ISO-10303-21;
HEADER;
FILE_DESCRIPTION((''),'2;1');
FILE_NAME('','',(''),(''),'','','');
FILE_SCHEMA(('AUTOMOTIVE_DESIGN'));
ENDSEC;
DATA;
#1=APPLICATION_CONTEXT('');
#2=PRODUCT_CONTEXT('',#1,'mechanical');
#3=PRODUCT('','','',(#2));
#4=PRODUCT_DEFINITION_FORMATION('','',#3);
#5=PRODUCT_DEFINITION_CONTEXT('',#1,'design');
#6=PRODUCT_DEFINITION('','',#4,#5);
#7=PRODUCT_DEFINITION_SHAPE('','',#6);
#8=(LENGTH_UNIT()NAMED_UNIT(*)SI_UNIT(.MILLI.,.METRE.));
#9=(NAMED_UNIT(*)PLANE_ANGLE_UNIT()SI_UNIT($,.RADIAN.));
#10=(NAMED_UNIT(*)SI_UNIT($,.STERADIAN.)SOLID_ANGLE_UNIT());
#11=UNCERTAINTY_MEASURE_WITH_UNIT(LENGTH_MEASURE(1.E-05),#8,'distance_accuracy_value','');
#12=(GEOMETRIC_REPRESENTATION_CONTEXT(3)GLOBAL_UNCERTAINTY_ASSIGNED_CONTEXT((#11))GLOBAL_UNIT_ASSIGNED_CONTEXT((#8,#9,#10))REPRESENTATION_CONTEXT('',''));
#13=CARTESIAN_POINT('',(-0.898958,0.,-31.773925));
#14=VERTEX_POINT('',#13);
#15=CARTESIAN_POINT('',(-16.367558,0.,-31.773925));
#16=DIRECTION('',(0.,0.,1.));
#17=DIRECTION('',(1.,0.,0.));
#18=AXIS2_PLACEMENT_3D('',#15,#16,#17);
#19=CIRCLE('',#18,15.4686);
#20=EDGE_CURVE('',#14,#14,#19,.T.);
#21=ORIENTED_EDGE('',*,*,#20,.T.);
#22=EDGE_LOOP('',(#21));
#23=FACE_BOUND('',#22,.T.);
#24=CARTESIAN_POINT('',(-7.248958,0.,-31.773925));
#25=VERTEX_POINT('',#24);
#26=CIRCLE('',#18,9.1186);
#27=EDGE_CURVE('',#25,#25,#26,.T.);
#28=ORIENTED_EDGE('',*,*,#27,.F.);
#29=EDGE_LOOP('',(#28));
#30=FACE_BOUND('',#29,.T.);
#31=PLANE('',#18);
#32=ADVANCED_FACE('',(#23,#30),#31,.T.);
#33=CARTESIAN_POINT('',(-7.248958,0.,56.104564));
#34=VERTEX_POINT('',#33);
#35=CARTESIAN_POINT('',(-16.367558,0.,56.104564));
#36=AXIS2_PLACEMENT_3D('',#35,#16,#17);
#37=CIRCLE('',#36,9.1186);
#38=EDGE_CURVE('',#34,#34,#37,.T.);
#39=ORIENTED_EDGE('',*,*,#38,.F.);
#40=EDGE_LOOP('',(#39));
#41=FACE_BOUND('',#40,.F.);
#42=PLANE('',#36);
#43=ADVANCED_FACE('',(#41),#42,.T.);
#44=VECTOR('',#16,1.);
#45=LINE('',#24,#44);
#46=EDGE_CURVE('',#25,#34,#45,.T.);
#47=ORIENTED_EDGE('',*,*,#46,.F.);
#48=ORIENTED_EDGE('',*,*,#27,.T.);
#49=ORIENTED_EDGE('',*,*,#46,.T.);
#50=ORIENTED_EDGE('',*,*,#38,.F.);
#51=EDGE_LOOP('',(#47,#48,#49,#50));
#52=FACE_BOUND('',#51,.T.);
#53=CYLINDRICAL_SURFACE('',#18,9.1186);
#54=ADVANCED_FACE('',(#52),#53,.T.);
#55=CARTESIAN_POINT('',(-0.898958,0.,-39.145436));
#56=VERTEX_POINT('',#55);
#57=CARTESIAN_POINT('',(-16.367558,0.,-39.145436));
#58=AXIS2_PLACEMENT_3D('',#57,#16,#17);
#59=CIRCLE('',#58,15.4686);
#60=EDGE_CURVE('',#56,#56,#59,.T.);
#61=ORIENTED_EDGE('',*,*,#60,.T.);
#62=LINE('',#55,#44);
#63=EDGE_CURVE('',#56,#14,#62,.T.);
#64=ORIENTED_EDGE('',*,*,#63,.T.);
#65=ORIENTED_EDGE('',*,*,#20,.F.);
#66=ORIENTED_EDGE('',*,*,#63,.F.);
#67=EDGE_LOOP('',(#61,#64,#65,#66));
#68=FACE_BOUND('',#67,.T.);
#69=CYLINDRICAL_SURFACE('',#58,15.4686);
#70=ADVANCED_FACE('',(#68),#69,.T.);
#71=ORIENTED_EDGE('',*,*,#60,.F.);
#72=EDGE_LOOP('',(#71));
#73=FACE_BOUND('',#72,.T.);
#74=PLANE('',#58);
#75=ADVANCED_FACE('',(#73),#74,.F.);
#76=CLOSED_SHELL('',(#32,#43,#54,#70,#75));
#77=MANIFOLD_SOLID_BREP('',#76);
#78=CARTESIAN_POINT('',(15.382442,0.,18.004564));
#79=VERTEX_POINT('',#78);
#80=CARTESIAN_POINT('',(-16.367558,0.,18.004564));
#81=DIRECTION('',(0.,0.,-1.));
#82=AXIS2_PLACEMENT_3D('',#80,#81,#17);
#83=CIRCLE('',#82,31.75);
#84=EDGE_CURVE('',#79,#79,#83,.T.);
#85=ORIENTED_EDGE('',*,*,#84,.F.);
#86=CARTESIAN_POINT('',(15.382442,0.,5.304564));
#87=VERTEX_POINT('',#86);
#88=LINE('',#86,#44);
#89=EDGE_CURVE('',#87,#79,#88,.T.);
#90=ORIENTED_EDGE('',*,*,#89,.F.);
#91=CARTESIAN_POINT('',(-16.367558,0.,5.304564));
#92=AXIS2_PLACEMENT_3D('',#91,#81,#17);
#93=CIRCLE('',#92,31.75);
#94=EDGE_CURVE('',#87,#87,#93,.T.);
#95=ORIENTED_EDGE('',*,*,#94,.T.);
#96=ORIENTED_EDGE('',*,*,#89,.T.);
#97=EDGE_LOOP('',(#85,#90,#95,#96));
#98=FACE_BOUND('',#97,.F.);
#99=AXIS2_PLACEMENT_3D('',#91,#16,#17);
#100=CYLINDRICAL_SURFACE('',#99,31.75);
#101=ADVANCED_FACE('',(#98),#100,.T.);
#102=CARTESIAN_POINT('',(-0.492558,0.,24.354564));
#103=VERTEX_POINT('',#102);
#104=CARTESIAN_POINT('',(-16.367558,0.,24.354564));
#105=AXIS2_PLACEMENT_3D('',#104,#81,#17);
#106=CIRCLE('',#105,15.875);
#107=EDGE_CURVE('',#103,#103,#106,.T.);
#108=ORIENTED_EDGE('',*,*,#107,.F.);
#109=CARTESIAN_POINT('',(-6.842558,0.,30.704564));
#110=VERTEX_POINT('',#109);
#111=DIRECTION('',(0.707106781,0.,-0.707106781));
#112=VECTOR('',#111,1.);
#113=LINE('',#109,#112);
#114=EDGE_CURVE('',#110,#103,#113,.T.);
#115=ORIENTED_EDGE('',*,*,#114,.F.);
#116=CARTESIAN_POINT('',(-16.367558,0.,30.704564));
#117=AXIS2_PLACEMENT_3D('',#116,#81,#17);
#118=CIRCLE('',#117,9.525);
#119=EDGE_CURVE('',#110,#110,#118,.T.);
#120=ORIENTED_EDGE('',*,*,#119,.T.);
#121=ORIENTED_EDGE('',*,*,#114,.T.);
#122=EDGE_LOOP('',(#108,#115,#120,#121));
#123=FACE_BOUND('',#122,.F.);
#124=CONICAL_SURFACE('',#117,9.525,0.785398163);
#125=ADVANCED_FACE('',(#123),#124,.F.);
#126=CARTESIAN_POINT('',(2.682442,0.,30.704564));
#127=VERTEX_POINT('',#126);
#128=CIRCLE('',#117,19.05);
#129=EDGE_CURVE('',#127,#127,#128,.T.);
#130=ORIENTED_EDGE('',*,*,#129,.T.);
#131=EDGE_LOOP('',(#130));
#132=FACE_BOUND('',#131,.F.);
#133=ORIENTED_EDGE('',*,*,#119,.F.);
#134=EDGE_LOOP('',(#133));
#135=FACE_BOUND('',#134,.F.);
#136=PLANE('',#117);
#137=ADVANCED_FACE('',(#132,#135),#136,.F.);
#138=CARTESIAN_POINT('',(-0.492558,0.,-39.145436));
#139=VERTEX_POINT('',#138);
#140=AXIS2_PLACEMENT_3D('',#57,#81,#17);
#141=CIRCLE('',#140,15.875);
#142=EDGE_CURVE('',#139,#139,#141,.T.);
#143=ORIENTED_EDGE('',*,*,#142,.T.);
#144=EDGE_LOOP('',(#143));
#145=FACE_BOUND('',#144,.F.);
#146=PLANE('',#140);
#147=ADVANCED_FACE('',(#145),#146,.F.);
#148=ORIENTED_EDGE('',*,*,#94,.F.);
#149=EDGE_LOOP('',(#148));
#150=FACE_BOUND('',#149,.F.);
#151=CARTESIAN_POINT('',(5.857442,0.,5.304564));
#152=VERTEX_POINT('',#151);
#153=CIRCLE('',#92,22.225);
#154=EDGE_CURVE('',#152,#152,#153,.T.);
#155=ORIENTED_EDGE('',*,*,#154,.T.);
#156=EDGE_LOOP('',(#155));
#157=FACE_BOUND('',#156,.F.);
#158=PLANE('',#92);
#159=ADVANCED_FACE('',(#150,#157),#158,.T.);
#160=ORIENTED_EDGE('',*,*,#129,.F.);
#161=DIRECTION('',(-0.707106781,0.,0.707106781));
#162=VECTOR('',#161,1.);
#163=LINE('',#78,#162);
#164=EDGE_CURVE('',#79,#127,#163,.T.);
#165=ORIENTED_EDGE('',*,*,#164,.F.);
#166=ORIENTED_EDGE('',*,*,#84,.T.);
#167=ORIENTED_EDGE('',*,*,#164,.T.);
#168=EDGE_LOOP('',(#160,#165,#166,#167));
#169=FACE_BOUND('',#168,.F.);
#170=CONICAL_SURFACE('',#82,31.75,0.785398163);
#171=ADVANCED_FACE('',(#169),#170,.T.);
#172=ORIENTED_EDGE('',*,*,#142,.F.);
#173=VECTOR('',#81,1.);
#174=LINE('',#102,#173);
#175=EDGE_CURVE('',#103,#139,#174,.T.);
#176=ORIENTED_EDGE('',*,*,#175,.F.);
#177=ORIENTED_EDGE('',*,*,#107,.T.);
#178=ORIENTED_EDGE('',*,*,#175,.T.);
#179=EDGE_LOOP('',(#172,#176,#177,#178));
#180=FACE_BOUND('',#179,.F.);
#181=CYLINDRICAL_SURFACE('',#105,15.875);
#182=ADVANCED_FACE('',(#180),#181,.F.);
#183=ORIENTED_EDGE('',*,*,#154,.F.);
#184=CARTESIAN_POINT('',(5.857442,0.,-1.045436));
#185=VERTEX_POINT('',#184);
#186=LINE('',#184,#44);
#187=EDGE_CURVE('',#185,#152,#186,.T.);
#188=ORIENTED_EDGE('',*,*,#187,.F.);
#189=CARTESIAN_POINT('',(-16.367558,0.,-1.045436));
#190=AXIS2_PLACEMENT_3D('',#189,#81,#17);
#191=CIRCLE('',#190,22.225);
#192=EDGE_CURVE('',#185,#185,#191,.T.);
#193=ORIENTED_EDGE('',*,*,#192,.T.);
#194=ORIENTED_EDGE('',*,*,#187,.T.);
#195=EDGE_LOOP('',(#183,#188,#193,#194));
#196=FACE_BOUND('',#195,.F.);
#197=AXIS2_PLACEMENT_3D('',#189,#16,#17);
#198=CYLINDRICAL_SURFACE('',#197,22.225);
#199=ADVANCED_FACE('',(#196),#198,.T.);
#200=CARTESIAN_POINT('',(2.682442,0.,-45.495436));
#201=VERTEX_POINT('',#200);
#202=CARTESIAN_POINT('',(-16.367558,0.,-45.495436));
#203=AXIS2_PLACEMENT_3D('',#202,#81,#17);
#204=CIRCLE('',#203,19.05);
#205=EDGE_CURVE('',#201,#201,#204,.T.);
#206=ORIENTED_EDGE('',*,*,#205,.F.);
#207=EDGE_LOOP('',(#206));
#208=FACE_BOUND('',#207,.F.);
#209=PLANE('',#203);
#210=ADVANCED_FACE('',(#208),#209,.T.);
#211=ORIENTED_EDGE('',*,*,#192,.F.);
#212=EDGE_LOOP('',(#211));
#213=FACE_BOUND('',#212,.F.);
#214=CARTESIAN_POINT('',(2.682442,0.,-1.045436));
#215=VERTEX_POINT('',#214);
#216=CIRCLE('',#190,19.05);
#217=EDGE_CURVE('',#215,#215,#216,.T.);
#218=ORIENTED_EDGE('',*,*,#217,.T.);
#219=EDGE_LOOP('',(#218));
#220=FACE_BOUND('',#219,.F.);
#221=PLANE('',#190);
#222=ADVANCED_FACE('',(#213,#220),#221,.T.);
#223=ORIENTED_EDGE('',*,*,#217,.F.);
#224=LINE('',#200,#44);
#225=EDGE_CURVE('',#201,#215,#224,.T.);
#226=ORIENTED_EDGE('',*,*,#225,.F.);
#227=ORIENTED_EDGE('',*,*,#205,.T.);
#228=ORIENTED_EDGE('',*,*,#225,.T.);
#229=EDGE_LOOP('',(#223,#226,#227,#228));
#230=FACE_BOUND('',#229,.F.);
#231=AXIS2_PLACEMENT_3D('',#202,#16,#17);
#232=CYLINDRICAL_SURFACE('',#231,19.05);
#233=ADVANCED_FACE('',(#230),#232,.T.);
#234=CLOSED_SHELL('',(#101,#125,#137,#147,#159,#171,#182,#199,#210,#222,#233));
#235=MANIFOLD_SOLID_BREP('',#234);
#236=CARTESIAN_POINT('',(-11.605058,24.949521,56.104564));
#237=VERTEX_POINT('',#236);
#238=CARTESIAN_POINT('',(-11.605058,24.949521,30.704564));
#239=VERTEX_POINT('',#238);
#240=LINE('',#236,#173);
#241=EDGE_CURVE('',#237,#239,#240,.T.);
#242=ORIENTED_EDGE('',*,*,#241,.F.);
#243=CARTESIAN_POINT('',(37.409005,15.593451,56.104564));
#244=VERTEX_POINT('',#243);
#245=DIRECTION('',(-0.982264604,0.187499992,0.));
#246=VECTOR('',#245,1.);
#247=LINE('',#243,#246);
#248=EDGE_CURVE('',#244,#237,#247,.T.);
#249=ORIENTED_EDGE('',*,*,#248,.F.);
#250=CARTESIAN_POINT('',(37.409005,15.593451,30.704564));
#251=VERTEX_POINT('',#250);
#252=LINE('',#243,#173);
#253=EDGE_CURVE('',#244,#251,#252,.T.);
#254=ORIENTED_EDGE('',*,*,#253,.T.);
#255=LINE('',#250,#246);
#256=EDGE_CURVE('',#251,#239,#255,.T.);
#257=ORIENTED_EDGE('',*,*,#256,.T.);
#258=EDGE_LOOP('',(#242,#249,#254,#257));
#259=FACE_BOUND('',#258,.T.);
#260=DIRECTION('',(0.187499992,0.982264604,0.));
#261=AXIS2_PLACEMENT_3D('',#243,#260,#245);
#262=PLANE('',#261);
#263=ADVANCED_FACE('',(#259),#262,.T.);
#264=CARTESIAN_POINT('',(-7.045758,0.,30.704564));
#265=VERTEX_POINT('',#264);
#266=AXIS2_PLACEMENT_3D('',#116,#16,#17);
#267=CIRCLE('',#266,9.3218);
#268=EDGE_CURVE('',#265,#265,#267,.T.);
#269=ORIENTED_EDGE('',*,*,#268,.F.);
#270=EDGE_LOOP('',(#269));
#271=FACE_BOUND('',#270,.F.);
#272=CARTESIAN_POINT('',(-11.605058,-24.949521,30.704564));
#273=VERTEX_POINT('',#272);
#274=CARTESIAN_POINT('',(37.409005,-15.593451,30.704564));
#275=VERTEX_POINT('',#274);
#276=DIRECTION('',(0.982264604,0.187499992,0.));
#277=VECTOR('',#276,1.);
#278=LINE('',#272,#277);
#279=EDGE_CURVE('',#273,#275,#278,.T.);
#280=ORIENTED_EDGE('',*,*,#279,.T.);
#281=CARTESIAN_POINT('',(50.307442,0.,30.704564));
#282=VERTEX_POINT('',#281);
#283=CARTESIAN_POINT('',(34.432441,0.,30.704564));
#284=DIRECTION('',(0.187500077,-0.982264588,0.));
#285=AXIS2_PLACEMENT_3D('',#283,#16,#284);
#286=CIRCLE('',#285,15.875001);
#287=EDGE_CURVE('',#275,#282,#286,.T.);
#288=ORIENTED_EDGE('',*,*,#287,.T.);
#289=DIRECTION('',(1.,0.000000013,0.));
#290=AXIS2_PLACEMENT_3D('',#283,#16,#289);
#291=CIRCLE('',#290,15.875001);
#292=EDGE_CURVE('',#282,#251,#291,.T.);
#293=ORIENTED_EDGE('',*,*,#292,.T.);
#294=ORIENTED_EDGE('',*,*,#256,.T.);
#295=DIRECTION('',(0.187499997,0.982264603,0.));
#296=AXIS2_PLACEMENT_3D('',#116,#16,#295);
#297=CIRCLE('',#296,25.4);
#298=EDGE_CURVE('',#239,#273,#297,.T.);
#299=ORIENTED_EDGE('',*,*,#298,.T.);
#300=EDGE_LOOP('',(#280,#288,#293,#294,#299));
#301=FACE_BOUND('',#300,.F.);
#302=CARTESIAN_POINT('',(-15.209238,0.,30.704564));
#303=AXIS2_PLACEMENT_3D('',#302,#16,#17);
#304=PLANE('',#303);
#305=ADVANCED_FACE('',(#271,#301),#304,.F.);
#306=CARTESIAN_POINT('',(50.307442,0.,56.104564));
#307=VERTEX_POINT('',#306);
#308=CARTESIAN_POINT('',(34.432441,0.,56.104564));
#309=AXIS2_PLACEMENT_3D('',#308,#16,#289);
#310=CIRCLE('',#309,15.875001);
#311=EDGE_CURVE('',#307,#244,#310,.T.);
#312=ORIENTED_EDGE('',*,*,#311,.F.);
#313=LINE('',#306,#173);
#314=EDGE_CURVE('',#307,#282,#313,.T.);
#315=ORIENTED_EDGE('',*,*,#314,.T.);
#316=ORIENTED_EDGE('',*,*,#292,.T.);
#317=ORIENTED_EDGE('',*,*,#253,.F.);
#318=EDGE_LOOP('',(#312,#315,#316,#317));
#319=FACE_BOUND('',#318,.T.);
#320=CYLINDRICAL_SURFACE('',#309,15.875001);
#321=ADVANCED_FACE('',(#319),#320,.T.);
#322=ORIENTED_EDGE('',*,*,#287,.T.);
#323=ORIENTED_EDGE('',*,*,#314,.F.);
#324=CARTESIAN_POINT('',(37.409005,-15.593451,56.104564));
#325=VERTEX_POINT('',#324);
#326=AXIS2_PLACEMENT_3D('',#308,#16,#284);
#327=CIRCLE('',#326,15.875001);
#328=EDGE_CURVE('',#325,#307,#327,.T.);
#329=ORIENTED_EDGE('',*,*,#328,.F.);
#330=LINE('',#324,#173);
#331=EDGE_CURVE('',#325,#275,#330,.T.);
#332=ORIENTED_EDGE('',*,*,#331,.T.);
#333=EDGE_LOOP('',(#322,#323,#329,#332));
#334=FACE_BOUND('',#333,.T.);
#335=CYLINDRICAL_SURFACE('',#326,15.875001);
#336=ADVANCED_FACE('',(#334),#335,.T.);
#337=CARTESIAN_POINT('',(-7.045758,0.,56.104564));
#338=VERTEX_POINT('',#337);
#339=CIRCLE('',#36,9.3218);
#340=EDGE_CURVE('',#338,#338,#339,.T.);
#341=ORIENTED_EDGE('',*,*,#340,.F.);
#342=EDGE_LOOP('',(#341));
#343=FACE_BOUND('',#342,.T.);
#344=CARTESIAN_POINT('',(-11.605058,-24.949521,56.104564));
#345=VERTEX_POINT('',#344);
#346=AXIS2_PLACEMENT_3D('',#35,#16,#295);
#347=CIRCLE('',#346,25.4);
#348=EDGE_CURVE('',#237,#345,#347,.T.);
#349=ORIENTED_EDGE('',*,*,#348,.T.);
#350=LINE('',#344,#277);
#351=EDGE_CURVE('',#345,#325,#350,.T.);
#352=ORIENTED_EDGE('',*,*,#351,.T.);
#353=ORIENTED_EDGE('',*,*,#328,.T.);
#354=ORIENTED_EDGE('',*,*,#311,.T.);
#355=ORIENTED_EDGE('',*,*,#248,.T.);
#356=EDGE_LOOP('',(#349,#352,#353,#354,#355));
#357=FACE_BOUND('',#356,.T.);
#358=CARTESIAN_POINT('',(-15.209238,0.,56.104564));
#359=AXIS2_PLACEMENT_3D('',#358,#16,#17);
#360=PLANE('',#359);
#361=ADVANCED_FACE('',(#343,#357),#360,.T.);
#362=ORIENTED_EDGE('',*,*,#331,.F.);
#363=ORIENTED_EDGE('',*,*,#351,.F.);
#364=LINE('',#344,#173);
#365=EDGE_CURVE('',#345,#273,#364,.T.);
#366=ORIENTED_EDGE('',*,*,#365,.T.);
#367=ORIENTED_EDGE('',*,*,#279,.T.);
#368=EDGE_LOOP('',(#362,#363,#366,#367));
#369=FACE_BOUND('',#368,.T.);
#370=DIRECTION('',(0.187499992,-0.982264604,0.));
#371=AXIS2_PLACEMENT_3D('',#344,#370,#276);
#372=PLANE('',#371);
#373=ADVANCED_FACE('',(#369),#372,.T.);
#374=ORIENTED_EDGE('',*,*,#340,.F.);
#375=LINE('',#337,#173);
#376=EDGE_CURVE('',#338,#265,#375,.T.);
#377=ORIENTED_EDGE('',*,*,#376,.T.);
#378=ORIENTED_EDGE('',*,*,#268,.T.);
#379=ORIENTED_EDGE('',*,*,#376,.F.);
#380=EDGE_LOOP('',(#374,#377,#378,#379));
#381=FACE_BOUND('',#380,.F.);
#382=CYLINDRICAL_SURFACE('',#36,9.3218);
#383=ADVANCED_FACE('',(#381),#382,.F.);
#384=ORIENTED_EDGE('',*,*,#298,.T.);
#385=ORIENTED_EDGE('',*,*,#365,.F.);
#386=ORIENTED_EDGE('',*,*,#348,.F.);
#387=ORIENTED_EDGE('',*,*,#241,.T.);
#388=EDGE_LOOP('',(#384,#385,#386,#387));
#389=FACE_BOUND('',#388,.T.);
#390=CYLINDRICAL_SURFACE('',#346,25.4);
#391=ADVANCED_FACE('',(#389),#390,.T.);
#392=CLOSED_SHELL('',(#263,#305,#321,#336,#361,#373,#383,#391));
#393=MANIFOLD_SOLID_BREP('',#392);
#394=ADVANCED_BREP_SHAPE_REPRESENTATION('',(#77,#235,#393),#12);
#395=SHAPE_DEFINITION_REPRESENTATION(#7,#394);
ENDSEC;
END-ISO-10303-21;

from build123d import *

# Parameters (mm, degrees)
F0_W     = 9.1186
F0_H     = 25.4
F3_R     = 9.3218
F4_DEPTH = 25.4


with BuildPart() as f1:
    # F0 (on Front) → F1 (revolve)
    with BuildSketch(Plane.XZ):
        Polygon((2.682442, 30.704564), (-6.842558, 30.704564), (-0.492558, 24.354564), (-0.492558, -39.145436), (-0.898958, -39.145436), (-16.367558, -39.145436), (-16.367558, -45.495436), (2.682442, -45.495436), (2.682442, -1.045436), (5.857442, -1.045436), (5.857442, 5.304564), (15.382442, 5.304564), (15.382442, 18.004564), align=None)
    revolve(axis=Axis((-16.367558, 0, -15.134403), (0, 0, -1)))


with BuildPart() as f2:
    # F0 (on Front) → F2 (revolve)
    with BuildSketch(Plane.XZ):
        with Locations((-11.808258, 43.404564)):
            Rectangle(F0_W, F0_H)
        Polygon((-7.248958, -31.773925), (-7.248958, 30.704564), (-16.367558, 30.704564), (-16.367558, -39.145436), (-0.898958, -39.145436), (-0.898958, -31.773925), align=None)
    revolve(axis=Axis((-16.367558, 0, 43.404564), (0, 0, 1)))


with BuildPart() as f4:
    # F3 (on face) → F4 (new body)
    with BuildSketch(Plane.XY.offset(56.104564)):
        with BuildLine():
            ThreePointArc((-11.605058, -24.949521), (3.204457, -16.189387), (9.032442, 0))
            ThreePointArc((9.032442, 0), (3.204457, 16.189387), (-11.605058, 24.949521))
            ThreePointArc((-11.605058, 24.949521), (-41.767558, 0), (-11.605058, -24.949521))
        make_face()
        with Locations((-16.367558, 0)):
            Circle(F3_R, mode=Mode.SUBTRACT)
        with BuildLine():
            ThreePointArc((-11.605058, 24.949521), (3.204457, 16.189387), (9.032442, 0))
            ThreePointArc((9.032442, 0), (3.204457, -16.189387), (-11.605058, -24.949521))
            Line((-11.605058, -24.949521), (37.409005, -15.593451))
            ThreePointArc((37.409005, -15.593451), (18.557442, 0), (37.409005, 15.593451))
            Line((37.409005, 15.593451), (-11.605058, 24.949521))
        make_face()
        with BuildLine():
            ThreePointArc((50.307442, 0), (46.664951, 10.118367), (37.409005, 15.593451))
            ThreePointArc((37.409005, 15.593451), (18.557442, 0), (37.409005, -15.593451))
            ThreePointArc((37.409005, -15.593451), (46.664951, -10.118367), (50.307442, 0))
        make_face()
    extrude(amount=-F4_DEPTH)


solid = Compound([f1.part, f2.part, f4.part])
